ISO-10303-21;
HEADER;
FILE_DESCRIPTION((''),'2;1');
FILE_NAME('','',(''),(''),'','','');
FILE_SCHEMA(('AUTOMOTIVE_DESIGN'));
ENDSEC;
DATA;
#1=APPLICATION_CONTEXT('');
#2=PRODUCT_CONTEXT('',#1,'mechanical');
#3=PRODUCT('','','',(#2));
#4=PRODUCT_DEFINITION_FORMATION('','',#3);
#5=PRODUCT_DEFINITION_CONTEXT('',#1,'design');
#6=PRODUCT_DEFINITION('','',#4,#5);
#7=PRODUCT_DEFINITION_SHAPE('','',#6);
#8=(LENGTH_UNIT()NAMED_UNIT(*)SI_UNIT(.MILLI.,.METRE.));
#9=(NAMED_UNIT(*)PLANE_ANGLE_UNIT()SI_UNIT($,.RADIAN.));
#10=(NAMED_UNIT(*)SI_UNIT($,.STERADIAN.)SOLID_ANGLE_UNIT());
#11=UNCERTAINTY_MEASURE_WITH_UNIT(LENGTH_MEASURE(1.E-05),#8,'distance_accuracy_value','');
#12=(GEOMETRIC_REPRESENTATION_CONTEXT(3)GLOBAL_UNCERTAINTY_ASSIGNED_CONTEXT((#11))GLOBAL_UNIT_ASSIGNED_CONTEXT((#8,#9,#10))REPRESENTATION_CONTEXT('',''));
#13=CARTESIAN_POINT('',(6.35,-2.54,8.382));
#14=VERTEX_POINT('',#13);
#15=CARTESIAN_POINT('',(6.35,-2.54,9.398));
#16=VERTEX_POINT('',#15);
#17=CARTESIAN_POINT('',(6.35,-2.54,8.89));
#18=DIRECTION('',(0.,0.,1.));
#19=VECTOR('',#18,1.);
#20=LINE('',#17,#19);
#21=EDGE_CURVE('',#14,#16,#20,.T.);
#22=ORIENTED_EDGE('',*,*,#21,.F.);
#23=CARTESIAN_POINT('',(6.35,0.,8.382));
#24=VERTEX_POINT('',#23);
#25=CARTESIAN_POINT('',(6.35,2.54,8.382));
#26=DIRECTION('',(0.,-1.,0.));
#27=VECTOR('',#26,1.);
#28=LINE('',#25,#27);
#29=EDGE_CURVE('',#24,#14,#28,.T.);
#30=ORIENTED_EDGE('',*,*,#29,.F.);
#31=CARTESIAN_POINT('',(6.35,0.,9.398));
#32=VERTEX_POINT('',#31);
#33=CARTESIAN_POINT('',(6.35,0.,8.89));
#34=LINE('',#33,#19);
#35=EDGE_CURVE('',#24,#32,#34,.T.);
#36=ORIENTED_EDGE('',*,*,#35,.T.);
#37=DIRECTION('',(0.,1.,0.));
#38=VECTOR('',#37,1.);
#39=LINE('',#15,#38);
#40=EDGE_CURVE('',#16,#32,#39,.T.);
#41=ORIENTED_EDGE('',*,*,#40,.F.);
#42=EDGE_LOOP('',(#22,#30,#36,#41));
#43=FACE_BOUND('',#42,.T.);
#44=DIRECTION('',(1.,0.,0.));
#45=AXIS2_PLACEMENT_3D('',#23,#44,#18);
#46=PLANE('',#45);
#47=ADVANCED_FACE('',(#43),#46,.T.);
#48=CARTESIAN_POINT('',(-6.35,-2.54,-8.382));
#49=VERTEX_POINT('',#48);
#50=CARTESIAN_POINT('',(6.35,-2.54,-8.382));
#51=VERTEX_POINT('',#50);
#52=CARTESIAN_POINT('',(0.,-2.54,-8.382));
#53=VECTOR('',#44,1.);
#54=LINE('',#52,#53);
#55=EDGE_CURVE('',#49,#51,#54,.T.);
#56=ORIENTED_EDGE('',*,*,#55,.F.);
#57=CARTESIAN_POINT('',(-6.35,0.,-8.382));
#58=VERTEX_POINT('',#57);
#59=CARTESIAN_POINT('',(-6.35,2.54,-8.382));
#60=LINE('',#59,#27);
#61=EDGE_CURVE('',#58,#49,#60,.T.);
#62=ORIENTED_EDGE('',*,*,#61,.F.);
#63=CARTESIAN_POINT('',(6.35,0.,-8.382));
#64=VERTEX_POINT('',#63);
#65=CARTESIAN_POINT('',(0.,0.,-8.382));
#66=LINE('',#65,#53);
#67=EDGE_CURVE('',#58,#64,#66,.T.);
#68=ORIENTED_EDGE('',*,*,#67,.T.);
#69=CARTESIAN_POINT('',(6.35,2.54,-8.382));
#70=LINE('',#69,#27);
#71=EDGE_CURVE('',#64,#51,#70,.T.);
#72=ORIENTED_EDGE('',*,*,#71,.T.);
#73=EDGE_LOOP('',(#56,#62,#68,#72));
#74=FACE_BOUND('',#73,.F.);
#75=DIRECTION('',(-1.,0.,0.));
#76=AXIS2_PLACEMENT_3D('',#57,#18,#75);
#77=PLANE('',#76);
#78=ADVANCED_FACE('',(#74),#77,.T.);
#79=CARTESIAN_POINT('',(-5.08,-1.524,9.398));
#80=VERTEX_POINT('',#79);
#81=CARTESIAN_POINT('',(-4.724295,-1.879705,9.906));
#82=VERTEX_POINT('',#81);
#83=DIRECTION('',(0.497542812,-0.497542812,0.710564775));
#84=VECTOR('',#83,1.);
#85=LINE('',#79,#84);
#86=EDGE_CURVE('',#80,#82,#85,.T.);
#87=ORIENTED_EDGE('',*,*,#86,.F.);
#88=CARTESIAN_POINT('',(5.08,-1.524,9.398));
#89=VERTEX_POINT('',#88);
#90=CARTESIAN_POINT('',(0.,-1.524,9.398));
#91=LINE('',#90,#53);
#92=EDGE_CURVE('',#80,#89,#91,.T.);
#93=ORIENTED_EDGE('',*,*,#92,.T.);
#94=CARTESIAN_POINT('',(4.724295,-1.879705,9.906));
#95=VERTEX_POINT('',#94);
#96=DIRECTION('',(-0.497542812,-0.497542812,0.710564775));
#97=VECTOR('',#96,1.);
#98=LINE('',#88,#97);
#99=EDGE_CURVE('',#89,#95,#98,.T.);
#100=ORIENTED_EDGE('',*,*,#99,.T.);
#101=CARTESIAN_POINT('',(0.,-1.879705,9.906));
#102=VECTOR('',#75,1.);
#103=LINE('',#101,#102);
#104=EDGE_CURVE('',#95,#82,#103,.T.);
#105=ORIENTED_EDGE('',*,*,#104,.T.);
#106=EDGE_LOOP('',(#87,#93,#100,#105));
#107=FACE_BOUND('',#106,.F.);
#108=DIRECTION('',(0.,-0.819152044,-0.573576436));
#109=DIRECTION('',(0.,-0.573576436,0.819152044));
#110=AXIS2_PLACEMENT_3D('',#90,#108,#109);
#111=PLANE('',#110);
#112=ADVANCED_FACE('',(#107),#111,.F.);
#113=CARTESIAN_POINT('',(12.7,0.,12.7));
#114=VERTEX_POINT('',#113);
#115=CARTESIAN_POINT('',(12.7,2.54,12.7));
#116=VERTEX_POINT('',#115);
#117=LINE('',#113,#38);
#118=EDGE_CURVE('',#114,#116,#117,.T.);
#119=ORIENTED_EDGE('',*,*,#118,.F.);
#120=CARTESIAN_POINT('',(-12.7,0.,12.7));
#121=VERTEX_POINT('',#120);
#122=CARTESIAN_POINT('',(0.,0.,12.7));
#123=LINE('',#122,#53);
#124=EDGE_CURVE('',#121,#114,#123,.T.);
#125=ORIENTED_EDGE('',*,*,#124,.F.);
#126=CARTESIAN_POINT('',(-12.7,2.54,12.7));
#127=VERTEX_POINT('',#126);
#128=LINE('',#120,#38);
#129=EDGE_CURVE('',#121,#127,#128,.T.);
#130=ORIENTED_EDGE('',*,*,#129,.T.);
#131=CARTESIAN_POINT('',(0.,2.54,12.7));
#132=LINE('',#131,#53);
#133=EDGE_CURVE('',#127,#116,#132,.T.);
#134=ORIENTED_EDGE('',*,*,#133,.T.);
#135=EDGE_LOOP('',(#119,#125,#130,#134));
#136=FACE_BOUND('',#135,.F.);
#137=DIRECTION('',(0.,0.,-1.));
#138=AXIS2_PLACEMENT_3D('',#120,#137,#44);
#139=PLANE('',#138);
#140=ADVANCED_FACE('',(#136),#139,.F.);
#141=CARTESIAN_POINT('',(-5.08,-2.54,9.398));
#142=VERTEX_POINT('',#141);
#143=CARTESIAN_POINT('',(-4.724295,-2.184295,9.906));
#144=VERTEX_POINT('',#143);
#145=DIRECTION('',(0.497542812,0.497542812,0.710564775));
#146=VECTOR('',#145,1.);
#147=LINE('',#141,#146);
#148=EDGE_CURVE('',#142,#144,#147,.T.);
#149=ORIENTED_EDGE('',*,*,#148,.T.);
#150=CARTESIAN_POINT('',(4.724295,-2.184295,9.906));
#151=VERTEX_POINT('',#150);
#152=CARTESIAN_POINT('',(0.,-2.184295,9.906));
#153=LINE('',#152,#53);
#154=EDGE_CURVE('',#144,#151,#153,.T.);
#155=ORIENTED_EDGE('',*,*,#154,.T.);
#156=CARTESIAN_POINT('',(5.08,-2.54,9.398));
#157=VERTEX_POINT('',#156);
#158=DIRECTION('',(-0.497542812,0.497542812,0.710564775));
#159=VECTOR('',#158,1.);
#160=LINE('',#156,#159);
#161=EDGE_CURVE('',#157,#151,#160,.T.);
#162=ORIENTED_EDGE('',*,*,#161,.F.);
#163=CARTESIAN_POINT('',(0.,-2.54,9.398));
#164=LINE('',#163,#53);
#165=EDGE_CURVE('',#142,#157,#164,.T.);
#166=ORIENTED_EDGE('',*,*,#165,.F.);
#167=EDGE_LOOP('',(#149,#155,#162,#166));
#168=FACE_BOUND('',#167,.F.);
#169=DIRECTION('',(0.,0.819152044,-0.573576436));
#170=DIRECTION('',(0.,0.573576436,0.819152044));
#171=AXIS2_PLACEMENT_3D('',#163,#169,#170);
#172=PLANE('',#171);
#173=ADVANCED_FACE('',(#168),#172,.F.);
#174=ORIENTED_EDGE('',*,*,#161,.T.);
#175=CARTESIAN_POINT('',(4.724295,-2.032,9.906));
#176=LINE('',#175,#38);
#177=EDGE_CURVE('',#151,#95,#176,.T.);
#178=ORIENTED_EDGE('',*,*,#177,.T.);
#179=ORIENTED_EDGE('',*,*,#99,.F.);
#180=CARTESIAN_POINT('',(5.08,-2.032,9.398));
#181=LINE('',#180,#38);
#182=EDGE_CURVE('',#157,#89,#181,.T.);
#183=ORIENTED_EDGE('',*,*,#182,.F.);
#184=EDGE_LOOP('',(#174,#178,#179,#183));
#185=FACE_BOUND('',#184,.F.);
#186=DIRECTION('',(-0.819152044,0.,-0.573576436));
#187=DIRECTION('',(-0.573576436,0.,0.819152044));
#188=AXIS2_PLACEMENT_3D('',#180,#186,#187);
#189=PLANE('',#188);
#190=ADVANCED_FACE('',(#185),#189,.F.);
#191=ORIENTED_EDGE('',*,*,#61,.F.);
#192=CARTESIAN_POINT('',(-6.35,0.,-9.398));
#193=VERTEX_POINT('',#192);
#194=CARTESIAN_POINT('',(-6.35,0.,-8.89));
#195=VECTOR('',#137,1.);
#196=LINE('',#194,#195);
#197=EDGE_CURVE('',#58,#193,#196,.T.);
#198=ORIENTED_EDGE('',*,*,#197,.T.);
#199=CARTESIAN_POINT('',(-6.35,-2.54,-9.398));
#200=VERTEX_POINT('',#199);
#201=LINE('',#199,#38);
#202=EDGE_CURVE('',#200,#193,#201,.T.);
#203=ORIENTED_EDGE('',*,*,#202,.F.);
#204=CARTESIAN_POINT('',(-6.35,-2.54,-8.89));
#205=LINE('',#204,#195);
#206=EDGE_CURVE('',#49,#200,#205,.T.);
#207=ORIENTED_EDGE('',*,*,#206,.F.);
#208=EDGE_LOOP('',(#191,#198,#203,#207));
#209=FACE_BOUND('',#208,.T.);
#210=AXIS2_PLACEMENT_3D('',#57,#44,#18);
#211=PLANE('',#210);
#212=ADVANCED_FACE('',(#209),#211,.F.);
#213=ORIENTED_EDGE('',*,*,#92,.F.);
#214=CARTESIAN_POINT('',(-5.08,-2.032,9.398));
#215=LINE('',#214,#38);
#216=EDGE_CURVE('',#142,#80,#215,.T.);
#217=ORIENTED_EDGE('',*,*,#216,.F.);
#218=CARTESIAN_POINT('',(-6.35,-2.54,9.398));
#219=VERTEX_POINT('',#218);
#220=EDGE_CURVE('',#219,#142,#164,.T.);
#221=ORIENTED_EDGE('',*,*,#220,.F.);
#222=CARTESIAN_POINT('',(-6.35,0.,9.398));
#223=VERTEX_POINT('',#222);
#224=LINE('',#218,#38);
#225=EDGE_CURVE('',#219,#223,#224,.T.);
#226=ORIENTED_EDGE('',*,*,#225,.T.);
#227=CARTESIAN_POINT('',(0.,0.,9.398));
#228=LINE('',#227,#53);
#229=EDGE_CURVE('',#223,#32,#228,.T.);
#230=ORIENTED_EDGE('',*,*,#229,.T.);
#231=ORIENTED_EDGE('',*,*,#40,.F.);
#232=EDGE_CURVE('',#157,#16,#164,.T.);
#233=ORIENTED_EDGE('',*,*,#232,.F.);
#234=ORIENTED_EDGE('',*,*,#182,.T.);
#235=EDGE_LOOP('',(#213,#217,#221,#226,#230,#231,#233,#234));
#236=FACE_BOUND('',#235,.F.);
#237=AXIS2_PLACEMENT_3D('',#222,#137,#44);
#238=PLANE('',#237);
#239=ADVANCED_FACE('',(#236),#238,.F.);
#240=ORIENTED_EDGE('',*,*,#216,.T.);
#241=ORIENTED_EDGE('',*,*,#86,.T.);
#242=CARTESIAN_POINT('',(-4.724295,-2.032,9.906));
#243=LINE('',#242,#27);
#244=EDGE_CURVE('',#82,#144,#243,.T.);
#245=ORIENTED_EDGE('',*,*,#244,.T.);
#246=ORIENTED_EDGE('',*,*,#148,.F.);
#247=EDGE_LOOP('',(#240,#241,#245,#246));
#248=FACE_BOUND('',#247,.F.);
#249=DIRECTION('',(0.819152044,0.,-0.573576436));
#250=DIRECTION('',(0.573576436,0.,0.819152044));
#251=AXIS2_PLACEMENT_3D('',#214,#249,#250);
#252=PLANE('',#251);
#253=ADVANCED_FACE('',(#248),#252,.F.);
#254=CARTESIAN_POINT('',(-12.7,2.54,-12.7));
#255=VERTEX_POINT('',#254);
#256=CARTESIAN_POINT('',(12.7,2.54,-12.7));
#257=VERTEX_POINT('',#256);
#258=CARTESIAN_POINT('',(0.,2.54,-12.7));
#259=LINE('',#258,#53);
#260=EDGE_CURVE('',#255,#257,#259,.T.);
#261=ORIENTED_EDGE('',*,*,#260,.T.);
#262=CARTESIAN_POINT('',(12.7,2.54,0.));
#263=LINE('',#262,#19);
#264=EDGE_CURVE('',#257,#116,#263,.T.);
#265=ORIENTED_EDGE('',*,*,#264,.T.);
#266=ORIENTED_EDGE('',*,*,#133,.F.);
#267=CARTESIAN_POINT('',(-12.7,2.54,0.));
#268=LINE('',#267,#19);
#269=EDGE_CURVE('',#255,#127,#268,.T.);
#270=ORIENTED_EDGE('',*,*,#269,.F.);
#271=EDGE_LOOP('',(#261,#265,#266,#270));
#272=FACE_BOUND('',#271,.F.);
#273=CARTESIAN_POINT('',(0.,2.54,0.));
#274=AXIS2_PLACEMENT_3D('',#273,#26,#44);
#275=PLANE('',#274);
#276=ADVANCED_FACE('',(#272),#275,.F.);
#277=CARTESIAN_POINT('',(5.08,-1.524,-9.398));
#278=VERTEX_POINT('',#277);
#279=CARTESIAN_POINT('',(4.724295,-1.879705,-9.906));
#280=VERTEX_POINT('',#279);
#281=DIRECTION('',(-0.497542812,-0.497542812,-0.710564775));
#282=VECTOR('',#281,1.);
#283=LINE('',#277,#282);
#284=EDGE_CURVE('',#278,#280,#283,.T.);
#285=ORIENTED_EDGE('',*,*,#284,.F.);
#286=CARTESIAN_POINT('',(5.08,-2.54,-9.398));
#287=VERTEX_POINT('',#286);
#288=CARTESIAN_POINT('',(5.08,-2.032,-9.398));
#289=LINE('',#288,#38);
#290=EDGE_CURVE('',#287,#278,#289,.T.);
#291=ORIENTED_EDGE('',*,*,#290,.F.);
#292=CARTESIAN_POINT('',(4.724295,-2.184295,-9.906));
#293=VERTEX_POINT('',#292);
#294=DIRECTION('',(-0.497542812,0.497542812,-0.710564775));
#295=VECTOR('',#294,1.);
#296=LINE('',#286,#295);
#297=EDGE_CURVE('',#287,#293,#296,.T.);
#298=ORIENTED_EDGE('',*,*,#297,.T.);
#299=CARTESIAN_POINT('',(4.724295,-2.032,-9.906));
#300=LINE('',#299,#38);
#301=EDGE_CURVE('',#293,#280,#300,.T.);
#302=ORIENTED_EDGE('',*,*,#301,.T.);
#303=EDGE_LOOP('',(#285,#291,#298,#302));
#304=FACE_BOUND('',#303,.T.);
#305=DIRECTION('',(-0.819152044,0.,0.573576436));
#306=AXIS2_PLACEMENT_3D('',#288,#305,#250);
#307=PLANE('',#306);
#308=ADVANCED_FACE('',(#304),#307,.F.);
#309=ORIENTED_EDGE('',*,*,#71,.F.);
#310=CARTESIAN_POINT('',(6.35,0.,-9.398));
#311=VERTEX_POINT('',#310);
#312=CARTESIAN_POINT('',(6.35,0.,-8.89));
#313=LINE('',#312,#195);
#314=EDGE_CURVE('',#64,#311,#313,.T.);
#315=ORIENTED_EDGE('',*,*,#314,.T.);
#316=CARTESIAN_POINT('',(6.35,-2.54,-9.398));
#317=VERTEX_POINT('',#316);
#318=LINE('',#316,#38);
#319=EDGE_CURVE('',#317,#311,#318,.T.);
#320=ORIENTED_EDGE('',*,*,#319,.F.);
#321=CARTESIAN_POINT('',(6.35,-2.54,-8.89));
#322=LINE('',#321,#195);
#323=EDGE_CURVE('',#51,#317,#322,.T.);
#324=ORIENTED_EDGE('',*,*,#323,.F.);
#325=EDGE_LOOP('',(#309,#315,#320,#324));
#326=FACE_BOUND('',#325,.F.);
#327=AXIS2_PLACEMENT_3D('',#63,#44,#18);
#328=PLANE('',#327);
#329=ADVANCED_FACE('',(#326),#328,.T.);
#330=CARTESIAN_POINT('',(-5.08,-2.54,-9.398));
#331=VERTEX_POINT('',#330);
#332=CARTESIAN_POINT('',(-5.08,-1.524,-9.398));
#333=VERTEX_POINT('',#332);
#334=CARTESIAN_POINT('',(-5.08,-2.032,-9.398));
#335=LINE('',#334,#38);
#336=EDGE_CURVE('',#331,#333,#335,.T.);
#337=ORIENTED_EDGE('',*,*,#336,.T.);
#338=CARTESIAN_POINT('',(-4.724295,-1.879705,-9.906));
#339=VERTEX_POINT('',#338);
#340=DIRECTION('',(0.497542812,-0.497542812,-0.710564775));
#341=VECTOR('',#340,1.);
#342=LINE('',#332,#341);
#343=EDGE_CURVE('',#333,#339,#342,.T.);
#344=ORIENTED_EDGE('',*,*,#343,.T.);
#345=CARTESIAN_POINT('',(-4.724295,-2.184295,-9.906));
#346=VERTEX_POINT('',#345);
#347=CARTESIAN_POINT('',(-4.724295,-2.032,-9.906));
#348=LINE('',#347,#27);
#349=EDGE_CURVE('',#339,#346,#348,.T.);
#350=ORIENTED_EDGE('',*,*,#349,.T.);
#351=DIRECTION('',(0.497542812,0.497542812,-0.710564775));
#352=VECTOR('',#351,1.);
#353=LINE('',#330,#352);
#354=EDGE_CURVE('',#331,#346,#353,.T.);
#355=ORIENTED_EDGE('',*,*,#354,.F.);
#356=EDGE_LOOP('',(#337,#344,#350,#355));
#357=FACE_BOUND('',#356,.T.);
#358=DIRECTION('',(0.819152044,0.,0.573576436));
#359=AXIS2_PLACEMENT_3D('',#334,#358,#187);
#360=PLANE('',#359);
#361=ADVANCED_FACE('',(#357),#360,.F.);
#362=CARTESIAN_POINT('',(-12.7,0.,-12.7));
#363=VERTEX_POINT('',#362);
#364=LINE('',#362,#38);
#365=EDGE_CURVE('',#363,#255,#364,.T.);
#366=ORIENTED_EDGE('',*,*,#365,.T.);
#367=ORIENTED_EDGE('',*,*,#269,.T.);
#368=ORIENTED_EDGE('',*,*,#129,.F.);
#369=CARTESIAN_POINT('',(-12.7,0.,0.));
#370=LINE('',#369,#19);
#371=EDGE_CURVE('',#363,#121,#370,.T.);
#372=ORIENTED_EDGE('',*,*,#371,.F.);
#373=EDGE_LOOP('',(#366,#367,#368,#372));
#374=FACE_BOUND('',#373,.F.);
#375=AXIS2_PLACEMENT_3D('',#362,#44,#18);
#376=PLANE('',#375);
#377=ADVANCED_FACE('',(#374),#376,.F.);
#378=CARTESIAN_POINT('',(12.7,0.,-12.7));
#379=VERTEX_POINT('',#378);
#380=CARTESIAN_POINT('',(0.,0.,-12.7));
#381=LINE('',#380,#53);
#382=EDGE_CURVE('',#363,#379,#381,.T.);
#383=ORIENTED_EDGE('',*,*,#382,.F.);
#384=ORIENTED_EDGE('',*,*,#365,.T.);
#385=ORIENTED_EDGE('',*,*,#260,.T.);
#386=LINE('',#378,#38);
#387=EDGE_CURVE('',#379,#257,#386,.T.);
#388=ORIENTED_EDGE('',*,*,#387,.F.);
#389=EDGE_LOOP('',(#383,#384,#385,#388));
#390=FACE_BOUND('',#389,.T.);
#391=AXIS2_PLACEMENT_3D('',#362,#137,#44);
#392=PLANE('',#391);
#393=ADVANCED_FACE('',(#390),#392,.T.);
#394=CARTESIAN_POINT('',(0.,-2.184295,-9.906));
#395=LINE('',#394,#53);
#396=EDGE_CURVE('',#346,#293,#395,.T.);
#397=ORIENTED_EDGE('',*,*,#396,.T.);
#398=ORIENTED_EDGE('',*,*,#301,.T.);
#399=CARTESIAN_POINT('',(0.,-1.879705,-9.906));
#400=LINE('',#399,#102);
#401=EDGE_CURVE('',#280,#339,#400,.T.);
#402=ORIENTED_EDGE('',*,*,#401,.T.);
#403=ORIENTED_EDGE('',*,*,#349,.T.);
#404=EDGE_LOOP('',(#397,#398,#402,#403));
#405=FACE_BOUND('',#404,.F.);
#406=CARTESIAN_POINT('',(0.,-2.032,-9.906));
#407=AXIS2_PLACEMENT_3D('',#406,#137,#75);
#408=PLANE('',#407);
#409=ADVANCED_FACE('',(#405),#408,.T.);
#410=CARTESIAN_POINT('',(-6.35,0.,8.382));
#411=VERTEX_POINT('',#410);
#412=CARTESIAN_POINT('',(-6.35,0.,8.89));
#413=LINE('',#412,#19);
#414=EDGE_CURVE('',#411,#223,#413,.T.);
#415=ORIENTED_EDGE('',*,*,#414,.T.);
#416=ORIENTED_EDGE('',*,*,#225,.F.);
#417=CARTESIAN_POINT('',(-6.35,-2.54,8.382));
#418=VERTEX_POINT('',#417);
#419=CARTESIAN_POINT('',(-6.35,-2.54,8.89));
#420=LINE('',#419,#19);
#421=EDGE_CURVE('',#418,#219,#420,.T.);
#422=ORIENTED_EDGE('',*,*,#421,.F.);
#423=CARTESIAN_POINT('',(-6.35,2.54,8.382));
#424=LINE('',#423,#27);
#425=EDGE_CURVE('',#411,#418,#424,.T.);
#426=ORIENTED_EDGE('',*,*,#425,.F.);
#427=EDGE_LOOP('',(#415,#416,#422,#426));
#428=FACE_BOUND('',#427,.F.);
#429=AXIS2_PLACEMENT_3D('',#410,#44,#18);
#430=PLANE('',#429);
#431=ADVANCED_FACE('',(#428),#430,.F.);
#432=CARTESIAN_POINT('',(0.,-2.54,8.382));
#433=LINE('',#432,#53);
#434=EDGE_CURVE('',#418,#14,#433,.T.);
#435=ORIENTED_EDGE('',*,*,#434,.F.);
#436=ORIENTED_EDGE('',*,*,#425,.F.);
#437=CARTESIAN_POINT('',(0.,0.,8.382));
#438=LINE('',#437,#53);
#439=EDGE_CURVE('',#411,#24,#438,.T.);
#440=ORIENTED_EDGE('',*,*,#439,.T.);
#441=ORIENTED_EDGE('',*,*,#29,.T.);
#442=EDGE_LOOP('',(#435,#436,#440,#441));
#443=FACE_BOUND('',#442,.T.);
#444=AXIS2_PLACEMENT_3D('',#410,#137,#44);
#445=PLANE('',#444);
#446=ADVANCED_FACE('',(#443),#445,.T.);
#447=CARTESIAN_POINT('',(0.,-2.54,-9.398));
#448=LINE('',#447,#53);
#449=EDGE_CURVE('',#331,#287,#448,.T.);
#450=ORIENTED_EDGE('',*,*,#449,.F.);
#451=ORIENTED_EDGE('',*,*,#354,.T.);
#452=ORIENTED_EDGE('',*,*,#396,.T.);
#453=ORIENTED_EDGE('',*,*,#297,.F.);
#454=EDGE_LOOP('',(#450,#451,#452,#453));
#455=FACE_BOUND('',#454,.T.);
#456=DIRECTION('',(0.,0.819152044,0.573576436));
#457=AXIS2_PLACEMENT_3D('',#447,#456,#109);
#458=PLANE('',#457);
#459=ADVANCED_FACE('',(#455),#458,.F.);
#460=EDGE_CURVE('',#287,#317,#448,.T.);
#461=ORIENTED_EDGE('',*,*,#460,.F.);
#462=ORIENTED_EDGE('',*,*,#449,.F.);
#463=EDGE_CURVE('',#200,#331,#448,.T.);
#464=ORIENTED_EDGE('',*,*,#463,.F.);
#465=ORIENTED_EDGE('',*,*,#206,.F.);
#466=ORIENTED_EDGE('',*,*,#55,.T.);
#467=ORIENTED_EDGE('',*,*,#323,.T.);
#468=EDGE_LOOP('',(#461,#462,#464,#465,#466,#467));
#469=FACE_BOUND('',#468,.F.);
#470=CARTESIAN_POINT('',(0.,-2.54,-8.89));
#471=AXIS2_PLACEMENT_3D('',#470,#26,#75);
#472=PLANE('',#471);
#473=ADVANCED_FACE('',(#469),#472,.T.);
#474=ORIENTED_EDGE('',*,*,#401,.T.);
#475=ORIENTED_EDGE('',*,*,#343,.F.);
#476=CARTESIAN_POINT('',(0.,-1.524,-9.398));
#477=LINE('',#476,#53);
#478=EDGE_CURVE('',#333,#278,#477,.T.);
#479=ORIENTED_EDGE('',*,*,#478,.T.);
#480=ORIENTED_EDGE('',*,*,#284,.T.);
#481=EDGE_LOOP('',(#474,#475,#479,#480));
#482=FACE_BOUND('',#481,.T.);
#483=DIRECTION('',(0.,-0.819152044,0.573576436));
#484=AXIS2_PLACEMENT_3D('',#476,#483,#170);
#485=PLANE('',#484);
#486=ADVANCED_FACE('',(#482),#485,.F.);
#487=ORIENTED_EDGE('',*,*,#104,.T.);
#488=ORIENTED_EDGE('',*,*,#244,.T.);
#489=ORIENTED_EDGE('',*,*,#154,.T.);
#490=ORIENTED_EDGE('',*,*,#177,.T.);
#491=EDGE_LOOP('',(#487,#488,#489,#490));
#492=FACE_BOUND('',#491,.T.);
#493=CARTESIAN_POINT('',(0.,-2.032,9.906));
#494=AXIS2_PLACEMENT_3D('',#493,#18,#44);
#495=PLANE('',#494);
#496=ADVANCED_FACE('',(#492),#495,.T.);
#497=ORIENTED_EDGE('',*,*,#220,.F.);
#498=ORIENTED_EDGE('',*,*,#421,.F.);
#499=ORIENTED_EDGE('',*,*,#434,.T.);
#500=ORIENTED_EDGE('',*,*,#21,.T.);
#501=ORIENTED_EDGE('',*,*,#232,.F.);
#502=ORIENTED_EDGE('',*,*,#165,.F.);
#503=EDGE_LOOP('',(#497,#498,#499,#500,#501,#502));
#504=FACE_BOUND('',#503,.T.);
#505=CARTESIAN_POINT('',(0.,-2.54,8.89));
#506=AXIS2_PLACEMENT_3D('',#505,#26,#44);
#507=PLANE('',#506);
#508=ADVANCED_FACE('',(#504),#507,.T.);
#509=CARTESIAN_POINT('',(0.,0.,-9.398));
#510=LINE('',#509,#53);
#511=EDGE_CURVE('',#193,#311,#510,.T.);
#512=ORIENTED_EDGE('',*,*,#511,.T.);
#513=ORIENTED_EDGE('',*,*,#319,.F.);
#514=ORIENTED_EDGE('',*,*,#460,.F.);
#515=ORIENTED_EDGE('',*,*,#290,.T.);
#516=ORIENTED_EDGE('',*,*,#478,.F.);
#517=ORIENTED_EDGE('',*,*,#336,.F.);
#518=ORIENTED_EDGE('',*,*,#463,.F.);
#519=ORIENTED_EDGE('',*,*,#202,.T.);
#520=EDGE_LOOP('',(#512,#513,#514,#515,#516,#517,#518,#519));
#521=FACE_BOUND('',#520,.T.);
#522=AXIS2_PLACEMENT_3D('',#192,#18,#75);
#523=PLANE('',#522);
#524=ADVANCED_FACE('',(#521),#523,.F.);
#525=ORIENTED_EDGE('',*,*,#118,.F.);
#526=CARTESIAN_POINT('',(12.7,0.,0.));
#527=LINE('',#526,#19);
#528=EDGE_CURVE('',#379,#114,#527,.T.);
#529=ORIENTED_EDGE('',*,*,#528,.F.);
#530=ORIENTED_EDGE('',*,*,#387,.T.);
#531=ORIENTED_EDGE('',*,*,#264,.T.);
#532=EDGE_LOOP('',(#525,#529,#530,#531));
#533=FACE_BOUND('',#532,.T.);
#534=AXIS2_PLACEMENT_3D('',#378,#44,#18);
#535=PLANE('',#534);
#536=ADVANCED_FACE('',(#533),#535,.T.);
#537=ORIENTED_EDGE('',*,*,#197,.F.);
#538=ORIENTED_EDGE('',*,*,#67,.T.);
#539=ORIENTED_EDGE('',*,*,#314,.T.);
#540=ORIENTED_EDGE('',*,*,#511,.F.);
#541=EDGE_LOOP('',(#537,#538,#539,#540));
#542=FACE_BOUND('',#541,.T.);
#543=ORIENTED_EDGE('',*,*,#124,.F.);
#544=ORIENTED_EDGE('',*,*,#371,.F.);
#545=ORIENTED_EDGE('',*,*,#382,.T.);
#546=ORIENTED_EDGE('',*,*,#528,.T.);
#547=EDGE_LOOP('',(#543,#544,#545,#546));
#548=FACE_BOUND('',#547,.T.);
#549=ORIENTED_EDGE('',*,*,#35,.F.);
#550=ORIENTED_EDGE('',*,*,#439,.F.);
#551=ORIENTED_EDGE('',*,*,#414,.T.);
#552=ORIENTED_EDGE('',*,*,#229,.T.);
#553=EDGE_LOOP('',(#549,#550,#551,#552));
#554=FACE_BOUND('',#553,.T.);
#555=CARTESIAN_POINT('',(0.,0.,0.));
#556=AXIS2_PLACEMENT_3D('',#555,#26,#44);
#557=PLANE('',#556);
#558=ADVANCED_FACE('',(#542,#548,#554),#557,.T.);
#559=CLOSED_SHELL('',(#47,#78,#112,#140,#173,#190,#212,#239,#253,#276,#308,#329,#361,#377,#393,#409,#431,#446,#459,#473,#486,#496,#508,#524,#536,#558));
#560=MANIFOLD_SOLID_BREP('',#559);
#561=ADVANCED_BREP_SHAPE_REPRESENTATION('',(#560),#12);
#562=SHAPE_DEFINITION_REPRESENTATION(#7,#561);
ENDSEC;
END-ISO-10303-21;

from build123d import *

# Parameters (mm, degrees)
F0_W          = 12.7
F0_H          = 1.016
F1_DEPTH      = 2.54
F1_DEPTH_BACK = 2.54
F0_W_2        = 25.4
F0_H_2        = 25.4
F2_DEPTH      = 2.54
F3_W          = 10.16
F3_H          = 1.016
F4_DEPTH      = 0.508
F4_TAPER      = 35


with BuildPart() as f1:
    # F0 (on Front) → F1 (new body, two sides)
    with BuildSketch(Plane.XZ) as f1_sk:
        with Locations((0, 8.89)):
            Rectangle(F0_W, F0_H)
    extrude(amount=F1_DEPTH)
    extrude(f1_sk.sketch, amount=-F1_DEPTH_BACK)

    # F0 (on Front) → F2 (join)
    with BuildSketch(Plane.XZ):
        Rectangle(F0_W_2, F0_H_2)
        with Locations((0, 8.89)):
            Rectangle(F0_W, F0_H, mode=Mode.SUBTRACT)
    extrude(amount=-F2_DEPTH)

    # F3 (on face) → F4 (join)
    with BuildSketch(Plane.XY.offset(9.398)):
        with Locations((0, -2.032)):
            Rectangle(F3_W, F3_H)
    extrude(amount=F4_DEPTH, taper=F4_TAPER)

    # F5: F1 across plane


with BuildPart() as f1_1:
    add(f1.part)
    add(f1.part.mirror(Plane.XY))


solid = f1_1.part
